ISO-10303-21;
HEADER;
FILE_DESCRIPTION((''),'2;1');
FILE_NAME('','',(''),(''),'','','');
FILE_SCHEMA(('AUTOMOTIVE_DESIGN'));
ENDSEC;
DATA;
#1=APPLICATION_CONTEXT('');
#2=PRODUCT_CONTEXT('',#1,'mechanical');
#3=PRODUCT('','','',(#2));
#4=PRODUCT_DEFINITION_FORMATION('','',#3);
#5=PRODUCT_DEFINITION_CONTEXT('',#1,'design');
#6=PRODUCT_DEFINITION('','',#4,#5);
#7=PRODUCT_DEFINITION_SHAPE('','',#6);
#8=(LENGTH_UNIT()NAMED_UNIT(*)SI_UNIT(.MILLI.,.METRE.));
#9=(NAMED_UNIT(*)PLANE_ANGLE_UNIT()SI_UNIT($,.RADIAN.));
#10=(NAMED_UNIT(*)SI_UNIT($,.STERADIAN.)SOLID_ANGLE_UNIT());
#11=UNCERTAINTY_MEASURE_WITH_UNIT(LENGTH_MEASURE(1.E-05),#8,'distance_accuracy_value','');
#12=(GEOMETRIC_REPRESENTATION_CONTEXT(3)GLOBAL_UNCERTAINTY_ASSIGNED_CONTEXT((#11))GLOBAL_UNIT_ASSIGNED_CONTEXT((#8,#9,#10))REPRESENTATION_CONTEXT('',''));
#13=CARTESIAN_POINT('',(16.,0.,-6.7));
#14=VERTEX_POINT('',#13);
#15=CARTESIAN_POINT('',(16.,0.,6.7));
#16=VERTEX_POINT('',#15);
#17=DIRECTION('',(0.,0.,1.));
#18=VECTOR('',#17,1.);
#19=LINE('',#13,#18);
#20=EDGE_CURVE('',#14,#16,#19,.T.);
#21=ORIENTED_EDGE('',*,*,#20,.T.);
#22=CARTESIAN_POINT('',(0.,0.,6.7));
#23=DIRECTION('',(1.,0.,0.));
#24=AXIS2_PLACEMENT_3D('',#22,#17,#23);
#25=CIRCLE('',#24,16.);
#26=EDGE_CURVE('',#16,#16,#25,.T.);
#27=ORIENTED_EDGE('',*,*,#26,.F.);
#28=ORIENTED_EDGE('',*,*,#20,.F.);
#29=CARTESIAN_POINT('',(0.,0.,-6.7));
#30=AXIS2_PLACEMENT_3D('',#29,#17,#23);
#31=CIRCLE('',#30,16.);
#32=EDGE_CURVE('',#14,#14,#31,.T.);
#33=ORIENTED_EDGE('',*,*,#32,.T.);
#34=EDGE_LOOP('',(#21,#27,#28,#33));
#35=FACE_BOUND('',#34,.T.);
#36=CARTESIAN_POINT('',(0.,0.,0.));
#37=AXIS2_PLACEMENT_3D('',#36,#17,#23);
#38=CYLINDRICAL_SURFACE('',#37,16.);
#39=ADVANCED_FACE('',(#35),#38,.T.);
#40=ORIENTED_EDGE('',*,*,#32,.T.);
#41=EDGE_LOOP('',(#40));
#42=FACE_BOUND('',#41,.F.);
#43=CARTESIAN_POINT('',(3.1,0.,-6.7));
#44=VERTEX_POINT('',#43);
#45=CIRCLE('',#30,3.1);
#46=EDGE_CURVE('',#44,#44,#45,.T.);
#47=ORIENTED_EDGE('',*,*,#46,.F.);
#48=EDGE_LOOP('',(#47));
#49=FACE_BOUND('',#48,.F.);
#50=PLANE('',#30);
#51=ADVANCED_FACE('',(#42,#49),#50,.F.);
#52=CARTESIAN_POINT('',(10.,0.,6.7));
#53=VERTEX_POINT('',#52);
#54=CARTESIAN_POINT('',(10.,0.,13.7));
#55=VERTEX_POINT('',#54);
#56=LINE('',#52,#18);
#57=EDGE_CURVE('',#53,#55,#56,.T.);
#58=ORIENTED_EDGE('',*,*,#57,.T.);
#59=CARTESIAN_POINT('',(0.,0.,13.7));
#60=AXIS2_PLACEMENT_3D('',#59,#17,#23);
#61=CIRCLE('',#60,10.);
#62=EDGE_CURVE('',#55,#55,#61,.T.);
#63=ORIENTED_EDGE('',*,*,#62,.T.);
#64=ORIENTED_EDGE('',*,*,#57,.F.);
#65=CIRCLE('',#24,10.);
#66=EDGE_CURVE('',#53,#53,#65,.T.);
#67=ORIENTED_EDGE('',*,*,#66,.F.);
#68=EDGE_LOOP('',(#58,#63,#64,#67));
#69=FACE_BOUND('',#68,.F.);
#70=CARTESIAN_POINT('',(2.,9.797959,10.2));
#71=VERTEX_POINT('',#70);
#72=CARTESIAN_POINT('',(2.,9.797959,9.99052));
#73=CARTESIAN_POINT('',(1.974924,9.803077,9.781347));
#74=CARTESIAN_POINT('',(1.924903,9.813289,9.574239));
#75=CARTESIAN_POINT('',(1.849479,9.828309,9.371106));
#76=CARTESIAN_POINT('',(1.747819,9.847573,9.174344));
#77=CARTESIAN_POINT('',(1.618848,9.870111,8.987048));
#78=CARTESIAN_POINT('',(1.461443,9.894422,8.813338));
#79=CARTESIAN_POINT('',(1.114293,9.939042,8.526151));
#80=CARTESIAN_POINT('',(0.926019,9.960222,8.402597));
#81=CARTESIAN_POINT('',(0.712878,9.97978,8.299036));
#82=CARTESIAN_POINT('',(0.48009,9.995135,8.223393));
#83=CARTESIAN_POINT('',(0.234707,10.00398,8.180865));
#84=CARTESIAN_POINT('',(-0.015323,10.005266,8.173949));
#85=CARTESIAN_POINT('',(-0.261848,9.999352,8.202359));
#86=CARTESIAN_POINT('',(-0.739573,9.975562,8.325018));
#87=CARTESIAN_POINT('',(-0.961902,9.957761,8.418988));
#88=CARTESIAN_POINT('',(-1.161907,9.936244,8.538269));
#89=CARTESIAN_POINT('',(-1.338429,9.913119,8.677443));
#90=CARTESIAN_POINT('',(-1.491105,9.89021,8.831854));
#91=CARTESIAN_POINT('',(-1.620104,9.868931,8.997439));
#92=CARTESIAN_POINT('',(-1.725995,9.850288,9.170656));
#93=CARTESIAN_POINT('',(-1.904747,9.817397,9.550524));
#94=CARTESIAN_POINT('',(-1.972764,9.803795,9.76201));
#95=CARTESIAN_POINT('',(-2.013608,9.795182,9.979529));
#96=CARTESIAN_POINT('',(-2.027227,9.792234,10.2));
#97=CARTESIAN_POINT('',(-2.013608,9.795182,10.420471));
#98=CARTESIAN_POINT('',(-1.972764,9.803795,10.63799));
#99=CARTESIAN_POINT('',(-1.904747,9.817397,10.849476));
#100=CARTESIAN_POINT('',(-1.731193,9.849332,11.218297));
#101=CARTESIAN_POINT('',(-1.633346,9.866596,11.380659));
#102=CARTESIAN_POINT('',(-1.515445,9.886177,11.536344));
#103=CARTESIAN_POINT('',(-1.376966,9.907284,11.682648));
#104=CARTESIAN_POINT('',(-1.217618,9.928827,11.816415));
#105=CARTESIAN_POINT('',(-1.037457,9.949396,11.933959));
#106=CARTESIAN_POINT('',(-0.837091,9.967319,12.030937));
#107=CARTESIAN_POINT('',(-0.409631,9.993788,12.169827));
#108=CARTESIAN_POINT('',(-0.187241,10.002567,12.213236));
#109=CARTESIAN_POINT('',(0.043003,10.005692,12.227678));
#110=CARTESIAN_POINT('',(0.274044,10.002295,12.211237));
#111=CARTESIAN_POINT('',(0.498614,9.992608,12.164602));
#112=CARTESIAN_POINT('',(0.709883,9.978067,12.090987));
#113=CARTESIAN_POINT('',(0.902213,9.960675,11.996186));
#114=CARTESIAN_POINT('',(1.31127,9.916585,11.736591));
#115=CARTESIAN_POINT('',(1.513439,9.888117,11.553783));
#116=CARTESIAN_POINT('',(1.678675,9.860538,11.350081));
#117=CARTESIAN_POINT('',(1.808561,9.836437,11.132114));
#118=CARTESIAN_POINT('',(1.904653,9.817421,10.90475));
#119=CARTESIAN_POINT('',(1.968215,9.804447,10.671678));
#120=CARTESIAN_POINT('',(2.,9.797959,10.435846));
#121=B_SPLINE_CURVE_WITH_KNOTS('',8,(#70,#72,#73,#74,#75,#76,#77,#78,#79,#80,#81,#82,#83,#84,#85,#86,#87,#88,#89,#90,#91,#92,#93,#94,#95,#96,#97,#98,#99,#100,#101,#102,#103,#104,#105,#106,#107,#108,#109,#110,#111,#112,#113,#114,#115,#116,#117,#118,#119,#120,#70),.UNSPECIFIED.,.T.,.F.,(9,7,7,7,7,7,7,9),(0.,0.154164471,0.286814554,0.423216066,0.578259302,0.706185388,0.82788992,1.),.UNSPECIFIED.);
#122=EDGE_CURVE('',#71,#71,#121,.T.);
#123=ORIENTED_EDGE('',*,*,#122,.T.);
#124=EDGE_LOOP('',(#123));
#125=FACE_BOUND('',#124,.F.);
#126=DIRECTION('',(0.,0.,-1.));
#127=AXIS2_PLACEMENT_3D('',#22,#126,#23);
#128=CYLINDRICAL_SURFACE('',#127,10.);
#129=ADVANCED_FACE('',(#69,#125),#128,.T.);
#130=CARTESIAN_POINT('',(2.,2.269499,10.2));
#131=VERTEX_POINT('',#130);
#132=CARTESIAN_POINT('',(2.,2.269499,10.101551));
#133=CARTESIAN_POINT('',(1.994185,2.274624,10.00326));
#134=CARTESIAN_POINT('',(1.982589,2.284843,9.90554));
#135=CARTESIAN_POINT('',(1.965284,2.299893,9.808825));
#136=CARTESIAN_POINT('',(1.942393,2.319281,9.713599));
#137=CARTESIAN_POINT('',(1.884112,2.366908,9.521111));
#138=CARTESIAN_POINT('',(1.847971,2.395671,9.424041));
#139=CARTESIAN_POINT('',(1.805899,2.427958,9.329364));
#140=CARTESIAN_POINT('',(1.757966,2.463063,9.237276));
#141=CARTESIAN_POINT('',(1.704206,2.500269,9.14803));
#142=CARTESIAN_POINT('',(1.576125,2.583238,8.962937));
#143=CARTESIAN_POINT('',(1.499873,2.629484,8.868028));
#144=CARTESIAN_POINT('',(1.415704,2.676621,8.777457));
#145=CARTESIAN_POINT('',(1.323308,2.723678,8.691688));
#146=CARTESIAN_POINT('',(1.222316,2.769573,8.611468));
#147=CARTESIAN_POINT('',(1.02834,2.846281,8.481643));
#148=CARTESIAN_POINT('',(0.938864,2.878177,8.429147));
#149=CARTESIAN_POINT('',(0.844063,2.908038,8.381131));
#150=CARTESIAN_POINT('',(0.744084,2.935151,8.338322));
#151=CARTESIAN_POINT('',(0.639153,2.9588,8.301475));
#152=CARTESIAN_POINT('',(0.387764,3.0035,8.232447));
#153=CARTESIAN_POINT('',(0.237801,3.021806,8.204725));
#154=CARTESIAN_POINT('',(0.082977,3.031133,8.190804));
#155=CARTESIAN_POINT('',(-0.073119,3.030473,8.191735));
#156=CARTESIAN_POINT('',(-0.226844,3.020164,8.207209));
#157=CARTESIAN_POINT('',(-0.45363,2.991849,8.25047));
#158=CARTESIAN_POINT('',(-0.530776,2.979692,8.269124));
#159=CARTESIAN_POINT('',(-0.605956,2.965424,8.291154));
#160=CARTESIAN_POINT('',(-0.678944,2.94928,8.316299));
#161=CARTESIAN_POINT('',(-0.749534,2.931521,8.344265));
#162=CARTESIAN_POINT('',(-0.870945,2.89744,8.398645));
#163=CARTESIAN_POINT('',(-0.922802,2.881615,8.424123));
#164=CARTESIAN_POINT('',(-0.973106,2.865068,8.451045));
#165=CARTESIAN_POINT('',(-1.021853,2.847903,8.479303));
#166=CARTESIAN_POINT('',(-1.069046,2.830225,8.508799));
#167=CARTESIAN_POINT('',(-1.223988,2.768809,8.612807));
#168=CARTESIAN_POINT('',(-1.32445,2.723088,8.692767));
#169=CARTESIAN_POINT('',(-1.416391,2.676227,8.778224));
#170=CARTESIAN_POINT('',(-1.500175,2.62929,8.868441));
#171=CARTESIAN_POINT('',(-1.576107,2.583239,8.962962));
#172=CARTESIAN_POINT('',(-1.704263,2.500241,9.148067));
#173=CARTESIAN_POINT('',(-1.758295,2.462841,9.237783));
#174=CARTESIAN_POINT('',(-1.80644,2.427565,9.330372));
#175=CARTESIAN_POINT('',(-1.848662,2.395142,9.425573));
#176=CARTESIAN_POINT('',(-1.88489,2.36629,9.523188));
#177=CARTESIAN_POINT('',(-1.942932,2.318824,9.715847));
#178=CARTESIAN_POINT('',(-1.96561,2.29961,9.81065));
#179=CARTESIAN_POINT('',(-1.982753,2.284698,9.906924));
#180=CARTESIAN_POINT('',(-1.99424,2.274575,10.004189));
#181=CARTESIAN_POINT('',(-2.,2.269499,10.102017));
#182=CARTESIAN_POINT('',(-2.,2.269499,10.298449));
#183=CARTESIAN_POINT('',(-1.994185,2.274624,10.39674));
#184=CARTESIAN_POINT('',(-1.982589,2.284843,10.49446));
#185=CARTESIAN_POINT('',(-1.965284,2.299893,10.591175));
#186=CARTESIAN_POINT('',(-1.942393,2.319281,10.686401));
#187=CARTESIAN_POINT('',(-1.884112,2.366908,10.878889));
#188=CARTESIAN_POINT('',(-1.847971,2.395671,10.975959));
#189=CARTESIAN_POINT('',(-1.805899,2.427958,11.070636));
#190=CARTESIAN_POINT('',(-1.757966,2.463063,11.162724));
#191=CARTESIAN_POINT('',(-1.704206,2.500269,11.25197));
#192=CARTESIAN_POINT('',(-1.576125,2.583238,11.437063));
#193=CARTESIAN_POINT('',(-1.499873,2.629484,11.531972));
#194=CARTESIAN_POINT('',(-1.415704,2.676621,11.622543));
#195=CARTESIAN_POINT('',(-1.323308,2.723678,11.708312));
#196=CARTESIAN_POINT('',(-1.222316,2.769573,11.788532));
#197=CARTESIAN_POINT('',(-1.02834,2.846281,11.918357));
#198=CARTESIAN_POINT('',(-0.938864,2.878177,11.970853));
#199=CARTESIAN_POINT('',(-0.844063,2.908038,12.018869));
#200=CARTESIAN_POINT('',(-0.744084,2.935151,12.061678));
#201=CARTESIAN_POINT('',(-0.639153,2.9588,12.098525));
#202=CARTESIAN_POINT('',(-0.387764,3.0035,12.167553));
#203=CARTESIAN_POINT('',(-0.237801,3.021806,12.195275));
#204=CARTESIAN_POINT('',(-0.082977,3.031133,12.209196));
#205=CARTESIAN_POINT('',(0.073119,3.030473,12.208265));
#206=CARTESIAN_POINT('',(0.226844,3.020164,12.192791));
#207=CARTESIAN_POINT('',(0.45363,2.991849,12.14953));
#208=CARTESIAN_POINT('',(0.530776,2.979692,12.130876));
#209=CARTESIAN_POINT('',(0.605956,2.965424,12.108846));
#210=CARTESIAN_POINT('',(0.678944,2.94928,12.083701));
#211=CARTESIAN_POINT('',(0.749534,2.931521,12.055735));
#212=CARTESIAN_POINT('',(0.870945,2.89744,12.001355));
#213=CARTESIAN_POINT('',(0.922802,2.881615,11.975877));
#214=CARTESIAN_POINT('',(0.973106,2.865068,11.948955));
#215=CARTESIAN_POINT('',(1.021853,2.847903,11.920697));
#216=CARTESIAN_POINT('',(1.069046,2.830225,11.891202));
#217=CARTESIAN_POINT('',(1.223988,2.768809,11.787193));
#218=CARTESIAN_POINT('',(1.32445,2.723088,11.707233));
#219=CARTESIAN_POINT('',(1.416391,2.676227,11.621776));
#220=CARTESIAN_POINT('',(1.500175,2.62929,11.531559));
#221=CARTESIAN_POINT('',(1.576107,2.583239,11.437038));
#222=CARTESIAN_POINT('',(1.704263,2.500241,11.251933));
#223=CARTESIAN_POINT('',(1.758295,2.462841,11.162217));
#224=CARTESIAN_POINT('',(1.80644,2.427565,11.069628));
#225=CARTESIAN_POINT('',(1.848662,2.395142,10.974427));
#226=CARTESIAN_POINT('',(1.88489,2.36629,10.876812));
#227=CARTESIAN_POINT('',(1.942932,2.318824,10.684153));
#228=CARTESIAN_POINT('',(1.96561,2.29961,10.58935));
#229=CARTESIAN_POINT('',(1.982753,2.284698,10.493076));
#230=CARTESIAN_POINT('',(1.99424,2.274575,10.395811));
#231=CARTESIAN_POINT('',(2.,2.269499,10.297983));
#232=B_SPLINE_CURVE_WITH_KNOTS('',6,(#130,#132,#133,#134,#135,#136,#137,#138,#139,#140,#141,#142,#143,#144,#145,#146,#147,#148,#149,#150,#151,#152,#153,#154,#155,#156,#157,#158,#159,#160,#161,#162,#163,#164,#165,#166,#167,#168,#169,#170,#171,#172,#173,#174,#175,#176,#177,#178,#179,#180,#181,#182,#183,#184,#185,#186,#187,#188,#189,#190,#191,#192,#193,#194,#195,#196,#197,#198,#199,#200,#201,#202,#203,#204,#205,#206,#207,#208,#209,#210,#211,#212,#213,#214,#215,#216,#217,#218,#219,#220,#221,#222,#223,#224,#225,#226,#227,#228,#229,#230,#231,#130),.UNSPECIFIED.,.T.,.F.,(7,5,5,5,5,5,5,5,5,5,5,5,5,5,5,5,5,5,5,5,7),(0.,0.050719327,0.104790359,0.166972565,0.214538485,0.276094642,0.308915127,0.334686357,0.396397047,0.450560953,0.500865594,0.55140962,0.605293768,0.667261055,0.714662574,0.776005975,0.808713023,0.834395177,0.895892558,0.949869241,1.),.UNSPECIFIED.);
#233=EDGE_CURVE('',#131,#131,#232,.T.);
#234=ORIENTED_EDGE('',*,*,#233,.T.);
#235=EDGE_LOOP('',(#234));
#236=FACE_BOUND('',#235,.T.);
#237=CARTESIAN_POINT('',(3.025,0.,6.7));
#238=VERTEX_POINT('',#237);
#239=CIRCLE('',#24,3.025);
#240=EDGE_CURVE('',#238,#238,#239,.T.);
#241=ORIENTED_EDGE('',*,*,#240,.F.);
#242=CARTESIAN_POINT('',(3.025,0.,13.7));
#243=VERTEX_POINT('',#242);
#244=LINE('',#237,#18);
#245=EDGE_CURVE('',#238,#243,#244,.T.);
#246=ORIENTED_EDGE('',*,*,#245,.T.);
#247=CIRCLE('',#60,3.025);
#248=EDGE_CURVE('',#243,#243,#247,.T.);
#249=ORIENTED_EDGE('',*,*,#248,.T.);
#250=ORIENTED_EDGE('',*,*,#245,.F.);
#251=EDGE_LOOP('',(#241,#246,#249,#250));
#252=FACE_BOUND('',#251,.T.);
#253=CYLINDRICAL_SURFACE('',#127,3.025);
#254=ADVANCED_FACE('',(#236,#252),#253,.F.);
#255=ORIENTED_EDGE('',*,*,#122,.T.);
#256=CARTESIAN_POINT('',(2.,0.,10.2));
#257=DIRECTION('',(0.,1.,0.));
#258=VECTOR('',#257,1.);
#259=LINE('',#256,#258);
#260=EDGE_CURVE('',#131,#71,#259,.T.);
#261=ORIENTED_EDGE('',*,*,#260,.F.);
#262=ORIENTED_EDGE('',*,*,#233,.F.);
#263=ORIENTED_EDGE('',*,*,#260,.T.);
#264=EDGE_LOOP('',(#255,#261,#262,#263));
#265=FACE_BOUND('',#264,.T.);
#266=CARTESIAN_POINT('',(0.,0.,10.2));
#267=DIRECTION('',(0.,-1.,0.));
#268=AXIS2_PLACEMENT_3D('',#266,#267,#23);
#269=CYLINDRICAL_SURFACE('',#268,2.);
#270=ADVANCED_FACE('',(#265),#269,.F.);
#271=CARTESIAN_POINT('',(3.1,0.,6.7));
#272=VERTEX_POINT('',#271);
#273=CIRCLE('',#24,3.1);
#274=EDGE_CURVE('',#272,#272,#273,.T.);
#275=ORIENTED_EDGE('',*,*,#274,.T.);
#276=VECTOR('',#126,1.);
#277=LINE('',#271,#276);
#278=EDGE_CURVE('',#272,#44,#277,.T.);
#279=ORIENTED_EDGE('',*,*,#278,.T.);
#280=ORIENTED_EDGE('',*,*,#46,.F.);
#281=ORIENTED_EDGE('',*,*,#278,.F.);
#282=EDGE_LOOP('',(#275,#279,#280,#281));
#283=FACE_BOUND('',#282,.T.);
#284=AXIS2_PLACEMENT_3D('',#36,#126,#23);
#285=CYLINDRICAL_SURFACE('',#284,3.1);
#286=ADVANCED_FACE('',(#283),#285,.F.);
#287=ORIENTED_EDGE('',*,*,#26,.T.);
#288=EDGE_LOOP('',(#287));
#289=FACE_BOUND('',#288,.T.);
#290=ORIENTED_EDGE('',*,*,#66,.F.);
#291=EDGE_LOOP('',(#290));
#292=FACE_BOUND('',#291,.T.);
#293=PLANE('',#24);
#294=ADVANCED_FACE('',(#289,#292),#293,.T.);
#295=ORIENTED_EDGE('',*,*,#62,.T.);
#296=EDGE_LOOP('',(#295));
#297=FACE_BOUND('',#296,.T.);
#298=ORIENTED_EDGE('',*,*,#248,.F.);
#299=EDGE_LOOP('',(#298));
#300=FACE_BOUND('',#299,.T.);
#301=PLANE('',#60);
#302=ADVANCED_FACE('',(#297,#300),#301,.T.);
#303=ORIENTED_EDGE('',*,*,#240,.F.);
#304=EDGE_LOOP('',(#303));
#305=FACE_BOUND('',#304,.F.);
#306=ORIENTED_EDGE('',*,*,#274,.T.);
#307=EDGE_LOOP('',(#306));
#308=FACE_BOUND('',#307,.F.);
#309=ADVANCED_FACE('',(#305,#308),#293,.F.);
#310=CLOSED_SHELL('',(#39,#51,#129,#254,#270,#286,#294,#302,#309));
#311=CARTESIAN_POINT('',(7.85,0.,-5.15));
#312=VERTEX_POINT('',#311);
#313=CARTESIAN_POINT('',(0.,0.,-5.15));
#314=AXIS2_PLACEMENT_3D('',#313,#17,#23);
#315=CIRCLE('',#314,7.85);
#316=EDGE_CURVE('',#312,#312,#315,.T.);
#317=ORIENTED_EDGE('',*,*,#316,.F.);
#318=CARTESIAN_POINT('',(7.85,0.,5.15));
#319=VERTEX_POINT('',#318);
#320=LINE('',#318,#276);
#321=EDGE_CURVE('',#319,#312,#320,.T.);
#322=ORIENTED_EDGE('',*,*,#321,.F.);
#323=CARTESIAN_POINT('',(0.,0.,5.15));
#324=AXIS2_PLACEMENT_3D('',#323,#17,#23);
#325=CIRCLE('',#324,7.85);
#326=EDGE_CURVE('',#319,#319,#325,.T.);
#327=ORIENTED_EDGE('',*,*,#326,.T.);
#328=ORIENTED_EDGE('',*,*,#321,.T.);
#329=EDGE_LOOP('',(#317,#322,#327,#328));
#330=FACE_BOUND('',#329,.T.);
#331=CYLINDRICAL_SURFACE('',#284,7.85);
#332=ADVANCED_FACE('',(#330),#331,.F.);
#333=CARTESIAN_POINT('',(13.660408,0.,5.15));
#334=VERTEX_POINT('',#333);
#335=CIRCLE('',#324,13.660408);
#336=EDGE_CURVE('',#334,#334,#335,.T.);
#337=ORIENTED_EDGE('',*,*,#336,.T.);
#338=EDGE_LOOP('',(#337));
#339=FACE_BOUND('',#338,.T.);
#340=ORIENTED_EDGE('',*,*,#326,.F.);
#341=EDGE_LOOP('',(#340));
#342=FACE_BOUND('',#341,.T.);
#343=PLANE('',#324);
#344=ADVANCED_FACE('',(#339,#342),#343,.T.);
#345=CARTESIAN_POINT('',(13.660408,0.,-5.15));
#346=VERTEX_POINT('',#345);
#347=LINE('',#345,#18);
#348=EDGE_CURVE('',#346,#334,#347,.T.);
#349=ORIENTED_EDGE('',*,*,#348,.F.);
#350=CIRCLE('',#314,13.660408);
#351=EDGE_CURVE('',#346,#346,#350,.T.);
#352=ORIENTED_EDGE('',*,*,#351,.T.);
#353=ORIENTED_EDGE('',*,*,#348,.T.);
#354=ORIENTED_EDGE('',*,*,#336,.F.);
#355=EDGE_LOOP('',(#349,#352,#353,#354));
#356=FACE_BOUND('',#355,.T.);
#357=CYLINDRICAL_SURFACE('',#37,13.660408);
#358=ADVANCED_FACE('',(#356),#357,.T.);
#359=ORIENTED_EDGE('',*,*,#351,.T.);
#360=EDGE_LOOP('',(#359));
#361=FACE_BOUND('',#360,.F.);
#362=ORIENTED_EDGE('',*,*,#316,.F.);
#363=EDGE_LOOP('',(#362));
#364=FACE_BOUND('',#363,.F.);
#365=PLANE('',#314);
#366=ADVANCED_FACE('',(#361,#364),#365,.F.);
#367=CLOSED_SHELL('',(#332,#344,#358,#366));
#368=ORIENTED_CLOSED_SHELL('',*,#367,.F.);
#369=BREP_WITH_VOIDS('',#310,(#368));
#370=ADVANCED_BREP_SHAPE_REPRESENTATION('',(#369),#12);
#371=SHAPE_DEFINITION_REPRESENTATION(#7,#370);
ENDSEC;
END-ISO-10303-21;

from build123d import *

# Parameters (mm, degrees)
ESQUISSE1_R             = 16
ESQUISSE1_R_2           = 3.1
BOSS_EXTRU_1_DEPTH      = 6.7
ESQUISSE2_R             = 13.660407535
ESQUISSE2_R_2           = 7.85
ENL_V_MAT_EXTRU_1_DEPTH = 5.15
ESQUISSE4_R             = 10
ESQUISSE4_R_2           = 3.025
BOSS_EXTRU_2_DEPTH      = 7
ESQUISSE5_R             = 2
ENL_V_MAT_EXTRU_3_DEPTH = 17


with BuildPart() as part:
    # Esquisse1 → Boss.-Extru.1 (new body, symmetric)
    with BuildSketch(Plane.XY):
        Circle(ESQUISSE1_R)
        Circle(ESQUISSE1_R_2, mode=Mode.SUBTRACT)
    extrude(amount=BOSS_EXTRU_1_DEPTH, both=True)

    # Esquisse2 → Enlèv. mat.-Extru.1 (cut, symmetric)
    with BuildSketch(Plane.XY):
        Circle(ESQUISSE2_R)
        Circle(ESQUISSE2_R_2, mode=Mode.SUBTRACT)
    extrude(amount=ENL_V_MAT_EXTRU_1_DEPTH, both=True, mode=Mode.SUBTRACT)

    # Esquisse4 → Boss.-Extru.2 (add)
    with BuildSketch(Plane.XY.offset(6.7)):
        Circle(ESQUISSE4_R)
        Circle(ESQUISSE4_R_2, mode=Mode.SUBTRACT)
    extrude(amount=BOSS_EXTRU_2_DEPTH)

    # Esquisse5 → Enlèv. mat.-Extru.3 (cut, through all)
    with BuildSketch(Plane(origin=(0, 0, 0), x_dir=(1, 0, 0), z_dir=(0, 1, 0))):
        with Locations((0, -10.2)):
            Circle(ESQUISSE5_R)
    extrude(amount=ENL_V_MAT_EXTRU_3_DEPTH, mode=Mode.SUBTRACT)


solid = part.part
